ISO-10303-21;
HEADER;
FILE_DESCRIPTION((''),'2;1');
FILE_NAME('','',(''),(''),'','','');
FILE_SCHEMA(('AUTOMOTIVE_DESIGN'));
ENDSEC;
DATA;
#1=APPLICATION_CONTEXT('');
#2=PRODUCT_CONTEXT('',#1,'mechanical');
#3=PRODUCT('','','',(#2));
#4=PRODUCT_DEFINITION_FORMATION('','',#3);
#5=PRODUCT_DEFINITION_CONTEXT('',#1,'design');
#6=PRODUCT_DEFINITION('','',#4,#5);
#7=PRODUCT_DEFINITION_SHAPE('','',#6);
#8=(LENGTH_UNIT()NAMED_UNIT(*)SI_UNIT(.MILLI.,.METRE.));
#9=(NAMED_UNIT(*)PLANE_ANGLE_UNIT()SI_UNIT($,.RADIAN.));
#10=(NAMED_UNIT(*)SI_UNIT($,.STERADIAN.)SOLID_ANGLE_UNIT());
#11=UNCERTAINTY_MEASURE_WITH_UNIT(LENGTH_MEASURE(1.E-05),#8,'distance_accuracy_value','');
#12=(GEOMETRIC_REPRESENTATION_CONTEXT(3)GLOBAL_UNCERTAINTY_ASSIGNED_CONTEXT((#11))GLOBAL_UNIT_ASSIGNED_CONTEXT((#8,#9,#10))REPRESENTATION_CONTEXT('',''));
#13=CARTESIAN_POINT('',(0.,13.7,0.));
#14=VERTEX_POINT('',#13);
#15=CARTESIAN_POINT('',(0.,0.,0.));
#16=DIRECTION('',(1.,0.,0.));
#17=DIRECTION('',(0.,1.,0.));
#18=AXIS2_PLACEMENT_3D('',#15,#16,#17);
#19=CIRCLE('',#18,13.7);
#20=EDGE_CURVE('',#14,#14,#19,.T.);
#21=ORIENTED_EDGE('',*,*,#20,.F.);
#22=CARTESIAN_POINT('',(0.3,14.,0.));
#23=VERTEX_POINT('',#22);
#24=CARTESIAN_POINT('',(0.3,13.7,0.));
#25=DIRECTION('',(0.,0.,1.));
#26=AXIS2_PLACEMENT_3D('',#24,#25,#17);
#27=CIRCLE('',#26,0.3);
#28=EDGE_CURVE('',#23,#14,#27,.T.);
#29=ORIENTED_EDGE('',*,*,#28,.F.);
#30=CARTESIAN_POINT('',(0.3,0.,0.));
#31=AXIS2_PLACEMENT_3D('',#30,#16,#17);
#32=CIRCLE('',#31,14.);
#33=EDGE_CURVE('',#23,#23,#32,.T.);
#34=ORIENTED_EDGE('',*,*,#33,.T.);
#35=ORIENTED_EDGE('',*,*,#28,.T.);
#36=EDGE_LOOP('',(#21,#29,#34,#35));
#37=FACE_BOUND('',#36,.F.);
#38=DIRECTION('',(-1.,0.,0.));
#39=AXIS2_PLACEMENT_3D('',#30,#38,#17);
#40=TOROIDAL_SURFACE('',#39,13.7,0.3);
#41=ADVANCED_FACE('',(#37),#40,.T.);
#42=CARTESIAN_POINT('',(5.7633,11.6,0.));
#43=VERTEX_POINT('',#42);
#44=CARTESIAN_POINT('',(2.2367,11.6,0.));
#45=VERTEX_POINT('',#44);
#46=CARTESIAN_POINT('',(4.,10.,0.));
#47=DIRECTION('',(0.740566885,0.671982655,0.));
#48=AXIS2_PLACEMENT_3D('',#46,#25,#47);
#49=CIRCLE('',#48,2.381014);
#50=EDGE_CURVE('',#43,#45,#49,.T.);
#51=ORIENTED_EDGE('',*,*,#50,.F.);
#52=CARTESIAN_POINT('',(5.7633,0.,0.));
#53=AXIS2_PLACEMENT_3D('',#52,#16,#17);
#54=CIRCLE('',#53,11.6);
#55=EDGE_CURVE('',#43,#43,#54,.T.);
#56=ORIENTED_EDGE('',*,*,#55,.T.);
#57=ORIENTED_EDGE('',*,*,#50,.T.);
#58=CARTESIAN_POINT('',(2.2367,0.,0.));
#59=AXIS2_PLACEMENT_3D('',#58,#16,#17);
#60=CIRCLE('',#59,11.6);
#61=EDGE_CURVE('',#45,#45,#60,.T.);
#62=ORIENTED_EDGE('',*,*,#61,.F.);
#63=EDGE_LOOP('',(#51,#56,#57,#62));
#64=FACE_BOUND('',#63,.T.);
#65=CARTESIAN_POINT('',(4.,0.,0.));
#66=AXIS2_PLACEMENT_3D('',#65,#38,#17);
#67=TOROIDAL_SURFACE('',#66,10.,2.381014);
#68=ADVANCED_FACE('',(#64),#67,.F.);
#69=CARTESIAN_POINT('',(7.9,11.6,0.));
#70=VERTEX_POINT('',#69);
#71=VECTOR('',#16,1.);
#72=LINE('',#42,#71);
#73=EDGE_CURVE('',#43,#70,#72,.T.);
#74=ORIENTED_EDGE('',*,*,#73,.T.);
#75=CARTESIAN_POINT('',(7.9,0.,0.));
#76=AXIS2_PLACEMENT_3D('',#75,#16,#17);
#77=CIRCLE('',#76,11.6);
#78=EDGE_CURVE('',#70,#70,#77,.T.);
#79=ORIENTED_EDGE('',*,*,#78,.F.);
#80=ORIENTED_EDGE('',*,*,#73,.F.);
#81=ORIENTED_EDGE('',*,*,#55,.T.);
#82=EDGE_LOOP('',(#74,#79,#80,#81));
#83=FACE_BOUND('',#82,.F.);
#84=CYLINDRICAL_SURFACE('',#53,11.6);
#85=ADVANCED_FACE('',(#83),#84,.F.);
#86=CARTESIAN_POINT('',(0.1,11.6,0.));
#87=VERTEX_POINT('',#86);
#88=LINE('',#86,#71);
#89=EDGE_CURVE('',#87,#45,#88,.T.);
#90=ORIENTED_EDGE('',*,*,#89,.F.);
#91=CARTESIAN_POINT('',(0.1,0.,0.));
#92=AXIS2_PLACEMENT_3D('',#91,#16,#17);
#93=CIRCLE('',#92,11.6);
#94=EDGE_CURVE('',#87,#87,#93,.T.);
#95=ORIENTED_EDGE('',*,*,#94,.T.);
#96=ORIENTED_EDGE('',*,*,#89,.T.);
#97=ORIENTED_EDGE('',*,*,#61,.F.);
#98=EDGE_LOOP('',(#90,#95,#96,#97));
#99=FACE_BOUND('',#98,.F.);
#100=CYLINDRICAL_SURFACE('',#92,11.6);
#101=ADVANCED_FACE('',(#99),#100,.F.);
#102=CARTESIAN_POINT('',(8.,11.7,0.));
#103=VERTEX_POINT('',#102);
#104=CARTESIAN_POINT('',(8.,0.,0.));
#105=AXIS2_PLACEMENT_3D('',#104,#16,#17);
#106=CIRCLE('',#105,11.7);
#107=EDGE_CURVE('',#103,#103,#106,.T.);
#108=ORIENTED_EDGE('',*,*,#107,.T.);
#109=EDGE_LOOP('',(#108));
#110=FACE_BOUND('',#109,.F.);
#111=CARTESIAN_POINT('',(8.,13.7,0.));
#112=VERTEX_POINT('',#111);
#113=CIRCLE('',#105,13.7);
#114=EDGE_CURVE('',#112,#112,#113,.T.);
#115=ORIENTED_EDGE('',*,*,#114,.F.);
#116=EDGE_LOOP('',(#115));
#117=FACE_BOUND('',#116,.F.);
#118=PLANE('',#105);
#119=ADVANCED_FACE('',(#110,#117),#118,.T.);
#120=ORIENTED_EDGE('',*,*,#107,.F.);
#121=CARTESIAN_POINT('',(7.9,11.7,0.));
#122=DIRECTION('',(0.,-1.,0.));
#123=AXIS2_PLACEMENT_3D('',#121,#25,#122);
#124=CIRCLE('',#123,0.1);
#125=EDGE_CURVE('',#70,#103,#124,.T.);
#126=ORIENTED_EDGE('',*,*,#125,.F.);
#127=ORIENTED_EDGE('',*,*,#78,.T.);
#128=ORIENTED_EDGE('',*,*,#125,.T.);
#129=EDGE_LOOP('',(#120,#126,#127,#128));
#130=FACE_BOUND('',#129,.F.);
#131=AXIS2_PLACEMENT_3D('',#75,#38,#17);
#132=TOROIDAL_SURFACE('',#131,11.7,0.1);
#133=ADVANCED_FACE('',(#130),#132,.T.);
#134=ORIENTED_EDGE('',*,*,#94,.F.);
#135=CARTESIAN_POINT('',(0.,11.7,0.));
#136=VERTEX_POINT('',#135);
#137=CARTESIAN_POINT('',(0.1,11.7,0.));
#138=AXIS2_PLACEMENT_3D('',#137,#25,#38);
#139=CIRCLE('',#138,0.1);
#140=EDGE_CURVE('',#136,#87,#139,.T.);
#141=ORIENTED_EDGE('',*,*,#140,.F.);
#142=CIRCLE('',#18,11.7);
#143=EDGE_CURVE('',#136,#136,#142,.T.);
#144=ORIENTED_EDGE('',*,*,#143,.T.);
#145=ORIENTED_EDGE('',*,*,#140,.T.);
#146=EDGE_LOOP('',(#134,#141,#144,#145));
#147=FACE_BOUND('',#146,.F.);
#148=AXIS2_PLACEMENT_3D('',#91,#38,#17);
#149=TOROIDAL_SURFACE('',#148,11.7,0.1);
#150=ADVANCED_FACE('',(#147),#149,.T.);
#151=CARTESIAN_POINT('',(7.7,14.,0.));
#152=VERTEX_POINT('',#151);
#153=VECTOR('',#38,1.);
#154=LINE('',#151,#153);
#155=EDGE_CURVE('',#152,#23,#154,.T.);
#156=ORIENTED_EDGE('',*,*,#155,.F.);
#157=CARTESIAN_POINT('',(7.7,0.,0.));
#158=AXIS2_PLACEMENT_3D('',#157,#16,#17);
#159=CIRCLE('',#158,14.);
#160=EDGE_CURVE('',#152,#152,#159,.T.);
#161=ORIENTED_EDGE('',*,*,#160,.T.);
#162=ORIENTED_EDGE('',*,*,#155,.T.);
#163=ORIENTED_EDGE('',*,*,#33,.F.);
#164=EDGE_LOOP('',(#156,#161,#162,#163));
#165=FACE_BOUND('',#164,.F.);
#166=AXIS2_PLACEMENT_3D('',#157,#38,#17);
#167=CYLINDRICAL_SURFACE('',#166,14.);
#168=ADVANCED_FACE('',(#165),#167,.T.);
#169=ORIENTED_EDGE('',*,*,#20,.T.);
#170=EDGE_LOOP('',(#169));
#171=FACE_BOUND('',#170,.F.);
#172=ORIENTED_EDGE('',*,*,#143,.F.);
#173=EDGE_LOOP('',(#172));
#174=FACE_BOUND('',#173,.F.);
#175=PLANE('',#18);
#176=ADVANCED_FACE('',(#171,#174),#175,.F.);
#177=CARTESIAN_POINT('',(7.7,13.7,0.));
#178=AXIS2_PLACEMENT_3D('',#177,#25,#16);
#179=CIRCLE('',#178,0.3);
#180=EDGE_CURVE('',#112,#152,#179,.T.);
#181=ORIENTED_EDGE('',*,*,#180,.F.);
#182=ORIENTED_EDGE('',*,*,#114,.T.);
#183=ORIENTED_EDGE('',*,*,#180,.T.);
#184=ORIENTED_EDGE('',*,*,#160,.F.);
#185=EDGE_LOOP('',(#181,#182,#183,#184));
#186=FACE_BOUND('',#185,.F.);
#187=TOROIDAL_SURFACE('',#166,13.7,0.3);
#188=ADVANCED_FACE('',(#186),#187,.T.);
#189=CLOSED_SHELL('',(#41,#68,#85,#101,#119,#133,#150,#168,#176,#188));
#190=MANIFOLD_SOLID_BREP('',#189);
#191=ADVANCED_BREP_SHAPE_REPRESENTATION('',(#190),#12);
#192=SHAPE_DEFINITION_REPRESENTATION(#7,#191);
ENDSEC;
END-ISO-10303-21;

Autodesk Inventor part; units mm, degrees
ref_plane "YZ Plane" through (0, 0, 0) normal (1, 0, 0) x (0, 1, 0)
ref_plane "XZ Plane" through (0, 0, 0) normal (0, 1, 0) x (-1, 0, 0)
ref_plane "XY Plane" through (0, 0, 0) normal (0, 0, 1) x (1, 0, 0)
sketch "Sketch_1" plane through (0, 0, 0) normal (0, 0, 1) x (1, 0, 0)
  line L0 (50, 0) -> (-50, 0)
  line L1 (0, 13.7) -> (0, 11.7)
  arc A0 (0, 11.7) -> (0.1, 11.6) centre (0.1, 11.7) ccw
  line L2 (0.1, 11.6) -> (2.2367, 11.6)
  arc A1 (5.7633, 11.6) -> (2.2367, 11.6) centre (4, 10) ccw
  line L3 (5.7633, 11.6) -> (7.9, 11.6)
  arc A2 (7.9, 11.6) -> (8, 11.7) centre (7.9, 11.7) ccw
  line L4 (8, 11.7) -> (8, 13.7)
  arc A3 (8, 13.7) -> (7.7, 14) centre (7.7, 13.7) ccw
  line L5 (7.7, 14) -> (0.3, 14)
  arc A4 (0.3, 14) -> (0, 13.7) centre (0.3, 13.7) ccw
revolve "Revolution1" add sketch "Sketch_1" angle 360 about axis through (50, 0, 0) along (1, 0, 0)
properties part number "SKF_16100_PART2"
